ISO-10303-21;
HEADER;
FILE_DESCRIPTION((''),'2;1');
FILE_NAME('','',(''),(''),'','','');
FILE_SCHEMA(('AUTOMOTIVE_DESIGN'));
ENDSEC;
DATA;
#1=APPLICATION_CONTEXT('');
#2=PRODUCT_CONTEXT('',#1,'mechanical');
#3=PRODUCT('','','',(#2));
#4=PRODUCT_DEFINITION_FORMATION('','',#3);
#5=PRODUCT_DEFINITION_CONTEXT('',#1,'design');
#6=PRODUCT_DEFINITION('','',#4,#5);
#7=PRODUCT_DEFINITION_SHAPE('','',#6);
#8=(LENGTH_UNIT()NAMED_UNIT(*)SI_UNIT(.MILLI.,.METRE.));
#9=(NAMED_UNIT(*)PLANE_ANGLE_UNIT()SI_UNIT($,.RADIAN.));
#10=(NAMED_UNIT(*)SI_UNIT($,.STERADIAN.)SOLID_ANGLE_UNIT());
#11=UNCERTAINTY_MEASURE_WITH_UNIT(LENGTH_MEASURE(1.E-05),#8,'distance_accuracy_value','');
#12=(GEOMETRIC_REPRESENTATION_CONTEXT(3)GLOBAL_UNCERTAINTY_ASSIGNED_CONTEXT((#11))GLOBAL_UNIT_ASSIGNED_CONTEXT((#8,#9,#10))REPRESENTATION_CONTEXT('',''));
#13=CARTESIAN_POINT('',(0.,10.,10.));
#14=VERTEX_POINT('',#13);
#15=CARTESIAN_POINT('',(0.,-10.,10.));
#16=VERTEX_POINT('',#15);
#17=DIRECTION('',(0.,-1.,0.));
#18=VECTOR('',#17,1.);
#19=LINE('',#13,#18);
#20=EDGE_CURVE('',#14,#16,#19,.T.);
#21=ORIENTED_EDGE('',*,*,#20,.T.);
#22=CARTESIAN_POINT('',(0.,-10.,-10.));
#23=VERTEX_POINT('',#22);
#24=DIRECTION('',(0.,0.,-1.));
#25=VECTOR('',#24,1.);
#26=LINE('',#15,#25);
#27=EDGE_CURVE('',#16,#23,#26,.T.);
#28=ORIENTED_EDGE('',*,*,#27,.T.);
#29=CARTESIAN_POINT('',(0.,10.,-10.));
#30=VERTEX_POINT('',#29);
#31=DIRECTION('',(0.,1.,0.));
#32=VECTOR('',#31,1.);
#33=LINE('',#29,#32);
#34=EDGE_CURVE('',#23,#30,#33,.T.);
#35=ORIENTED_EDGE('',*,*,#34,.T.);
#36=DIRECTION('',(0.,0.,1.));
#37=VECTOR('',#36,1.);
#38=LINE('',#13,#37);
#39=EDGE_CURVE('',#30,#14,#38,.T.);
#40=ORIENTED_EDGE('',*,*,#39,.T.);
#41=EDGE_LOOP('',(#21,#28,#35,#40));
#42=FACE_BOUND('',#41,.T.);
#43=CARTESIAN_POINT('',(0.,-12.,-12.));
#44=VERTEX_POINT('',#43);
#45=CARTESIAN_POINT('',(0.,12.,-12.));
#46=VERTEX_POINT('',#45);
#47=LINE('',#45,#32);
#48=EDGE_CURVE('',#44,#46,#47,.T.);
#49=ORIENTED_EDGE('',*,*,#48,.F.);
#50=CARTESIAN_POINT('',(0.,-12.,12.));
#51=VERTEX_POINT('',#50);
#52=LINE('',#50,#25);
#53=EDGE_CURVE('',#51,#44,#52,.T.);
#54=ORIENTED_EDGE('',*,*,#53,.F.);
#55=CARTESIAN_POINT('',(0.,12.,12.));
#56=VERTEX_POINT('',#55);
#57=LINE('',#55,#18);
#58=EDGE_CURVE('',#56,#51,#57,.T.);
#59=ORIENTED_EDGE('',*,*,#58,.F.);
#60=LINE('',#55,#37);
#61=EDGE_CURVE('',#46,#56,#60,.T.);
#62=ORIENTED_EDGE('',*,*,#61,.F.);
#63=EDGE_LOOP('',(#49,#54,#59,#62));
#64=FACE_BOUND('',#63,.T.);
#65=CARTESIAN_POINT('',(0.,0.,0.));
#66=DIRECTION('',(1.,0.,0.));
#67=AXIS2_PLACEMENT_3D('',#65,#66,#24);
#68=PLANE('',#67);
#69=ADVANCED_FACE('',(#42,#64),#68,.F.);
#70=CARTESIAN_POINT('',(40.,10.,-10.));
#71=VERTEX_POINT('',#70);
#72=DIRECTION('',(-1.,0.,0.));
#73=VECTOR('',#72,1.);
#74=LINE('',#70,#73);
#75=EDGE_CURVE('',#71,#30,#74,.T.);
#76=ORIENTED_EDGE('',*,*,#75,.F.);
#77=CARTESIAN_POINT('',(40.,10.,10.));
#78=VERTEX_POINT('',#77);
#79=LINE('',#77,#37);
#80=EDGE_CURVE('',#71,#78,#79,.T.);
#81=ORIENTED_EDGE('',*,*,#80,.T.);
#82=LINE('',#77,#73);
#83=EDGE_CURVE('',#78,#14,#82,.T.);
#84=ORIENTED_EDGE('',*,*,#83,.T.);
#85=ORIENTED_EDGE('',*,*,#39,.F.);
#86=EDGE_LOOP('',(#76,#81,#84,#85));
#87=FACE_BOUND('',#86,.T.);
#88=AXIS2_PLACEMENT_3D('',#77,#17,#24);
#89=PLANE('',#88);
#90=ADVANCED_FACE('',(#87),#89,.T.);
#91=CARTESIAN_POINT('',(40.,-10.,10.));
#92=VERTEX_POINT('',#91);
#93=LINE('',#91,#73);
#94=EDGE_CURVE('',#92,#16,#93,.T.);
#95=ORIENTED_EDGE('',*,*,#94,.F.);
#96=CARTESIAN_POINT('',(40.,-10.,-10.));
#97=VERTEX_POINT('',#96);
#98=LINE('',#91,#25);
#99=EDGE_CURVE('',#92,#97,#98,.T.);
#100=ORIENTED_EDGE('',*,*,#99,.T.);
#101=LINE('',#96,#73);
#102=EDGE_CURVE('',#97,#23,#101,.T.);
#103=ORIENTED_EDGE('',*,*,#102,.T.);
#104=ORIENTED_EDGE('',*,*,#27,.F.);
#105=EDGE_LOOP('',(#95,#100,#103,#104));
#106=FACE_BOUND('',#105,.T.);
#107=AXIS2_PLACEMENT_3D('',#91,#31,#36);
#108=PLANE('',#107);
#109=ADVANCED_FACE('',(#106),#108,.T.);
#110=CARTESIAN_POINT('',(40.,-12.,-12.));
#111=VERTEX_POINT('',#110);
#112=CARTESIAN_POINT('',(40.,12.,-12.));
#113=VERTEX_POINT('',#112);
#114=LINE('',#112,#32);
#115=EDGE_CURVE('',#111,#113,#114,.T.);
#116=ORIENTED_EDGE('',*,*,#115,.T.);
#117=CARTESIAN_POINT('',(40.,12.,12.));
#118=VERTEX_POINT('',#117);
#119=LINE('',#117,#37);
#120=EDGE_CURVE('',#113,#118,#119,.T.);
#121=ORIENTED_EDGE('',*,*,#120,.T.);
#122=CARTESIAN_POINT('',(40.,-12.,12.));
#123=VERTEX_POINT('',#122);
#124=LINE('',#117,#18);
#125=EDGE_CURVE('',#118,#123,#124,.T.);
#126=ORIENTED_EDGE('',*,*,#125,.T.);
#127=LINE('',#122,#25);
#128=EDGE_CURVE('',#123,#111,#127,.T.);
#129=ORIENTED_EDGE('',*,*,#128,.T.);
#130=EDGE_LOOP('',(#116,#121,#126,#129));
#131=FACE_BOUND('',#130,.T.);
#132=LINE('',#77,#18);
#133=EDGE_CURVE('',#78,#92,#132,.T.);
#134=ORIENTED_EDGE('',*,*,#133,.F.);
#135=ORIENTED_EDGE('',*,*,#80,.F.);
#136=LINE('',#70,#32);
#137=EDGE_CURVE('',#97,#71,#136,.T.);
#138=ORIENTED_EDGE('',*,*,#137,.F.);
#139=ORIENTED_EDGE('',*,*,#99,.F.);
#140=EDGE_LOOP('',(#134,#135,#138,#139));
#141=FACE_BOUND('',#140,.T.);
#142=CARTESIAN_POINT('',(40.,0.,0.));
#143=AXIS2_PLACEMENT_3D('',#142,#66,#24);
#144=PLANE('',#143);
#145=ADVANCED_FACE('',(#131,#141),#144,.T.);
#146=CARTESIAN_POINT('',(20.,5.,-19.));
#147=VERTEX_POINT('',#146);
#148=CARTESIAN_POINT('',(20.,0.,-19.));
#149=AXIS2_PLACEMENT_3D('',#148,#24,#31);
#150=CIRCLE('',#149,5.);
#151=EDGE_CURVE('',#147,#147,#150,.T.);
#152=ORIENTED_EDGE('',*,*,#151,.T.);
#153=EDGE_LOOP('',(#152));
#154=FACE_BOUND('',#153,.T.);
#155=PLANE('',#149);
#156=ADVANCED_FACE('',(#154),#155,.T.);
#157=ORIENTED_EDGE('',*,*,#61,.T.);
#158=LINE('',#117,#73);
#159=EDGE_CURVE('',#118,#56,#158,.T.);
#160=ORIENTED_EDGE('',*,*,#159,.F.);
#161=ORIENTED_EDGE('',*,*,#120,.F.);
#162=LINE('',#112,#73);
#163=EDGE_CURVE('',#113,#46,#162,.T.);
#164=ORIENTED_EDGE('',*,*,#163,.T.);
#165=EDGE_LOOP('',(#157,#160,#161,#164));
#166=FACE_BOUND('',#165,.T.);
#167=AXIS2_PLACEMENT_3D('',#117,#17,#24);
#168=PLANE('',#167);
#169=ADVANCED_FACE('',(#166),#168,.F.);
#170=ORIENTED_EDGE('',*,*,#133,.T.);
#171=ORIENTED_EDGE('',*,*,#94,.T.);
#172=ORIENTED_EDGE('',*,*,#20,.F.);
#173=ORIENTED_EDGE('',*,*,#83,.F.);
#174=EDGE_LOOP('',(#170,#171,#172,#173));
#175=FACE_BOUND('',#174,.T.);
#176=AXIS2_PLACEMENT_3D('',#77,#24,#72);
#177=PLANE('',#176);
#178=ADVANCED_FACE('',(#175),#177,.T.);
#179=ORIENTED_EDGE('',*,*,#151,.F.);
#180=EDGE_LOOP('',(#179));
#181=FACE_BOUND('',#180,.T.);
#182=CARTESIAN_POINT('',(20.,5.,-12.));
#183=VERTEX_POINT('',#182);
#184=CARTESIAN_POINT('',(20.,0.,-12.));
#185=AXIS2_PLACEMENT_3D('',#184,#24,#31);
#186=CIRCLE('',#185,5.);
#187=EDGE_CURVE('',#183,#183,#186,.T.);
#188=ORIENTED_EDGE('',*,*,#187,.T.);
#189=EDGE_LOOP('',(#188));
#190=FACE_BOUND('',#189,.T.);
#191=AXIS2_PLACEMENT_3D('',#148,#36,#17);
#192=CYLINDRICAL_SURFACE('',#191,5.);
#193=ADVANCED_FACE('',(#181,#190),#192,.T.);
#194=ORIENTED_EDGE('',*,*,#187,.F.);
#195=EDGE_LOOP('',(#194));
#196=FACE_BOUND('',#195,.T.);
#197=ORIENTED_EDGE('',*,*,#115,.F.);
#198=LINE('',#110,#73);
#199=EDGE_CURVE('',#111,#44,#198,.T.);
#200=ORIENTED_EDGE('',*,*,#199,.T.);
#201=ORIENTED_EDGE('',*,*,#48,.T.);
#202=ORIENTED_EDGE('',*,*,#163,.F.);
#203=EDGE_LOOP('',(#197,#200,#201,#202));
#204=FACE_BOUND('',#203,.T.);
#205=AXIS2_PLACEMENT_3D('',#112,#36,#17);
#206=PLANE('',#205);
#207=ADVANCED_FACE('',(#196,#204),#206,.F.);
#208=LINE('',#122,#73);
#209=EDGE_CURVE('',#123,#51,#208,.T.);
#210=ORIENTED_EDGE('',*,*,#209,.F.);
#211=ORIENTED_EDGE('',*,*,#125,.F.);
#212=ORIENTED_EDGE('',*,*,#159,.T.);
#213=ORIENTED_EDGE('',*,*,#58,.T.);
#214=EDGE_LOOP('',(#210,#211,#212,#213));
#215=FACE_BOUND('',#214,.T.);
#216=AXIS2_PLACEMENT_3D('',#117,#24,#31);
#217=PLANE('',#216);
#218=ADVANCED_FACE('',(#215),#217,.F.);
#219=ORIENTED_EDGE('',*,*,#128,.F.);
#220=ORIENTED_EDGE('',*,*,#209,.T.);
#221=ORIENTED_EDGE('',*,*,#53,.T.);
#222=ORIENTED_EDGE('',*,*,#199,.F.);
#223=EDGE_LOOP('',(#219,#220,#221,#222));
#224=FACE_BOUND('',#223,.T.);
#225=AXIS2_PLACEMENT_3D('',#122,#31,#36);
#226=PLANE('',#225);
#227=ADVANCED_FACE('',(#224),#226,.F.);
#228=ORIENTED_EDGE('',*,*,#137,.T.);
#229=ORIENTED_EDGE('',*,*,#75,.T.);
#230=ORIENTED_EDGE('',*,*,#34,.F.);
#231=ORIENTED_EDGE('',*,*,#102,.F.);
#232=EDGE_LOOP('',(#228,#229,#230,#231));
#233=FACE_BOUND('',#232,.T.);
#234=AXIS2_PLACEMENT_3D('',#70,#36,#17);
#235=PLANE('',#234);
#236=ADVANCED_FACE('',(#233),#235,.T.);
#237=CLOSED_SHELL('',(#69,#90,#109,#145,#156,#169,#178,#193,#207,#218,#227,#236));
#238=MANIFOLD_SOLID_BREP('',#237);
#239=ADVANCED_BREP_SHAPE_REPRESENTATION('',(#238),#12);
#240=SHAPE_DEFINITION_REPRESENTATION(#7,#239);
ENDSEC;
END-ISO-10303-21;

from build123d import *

# Parameters (mm, degrees)
SKETCH1_W           = 24
SKETCH1_H           = 24
SKETCH1_W_2         = 20
SKETCH1_H_2         = 20
BOSS_EXTRUDE1_DEPTH = 40
SKETCH2_R           = 5
BOSS_EXTRUDE2_DEPTH = 7


with BuildPart() as part:
    # Sketch1 → Boss-Extrude1 (new body)
    with BuildSketch(Plane(origin=(0, 0, 0), x_dir=(0, 0, -1), z_dir=(1, 0, 0))):
        Rectangle(SKETCH1_W, SKETCH1_H)
        Rectangle(SKETCH1_W_2, SKETCH1_H_2, mode=Mode.SUBTRACT)
    extrude(amount=BOSS_EXTRUDE1_DEPTH)

    # Sketch2 → Boss-Extrude2 (add)
    with BuildSketch(Plane(origin=(0, 0, -12), x_dir=(-1, 0, 0), z_dir=(0, 0, -1))):
        with Locations(Location((-20, 0, 0), (0, 0, 90))):
            Circle(SKETCH2_R)
    extrude(amount=BOSS_EXTRUDE2_DEPTH)


solid = part.part
